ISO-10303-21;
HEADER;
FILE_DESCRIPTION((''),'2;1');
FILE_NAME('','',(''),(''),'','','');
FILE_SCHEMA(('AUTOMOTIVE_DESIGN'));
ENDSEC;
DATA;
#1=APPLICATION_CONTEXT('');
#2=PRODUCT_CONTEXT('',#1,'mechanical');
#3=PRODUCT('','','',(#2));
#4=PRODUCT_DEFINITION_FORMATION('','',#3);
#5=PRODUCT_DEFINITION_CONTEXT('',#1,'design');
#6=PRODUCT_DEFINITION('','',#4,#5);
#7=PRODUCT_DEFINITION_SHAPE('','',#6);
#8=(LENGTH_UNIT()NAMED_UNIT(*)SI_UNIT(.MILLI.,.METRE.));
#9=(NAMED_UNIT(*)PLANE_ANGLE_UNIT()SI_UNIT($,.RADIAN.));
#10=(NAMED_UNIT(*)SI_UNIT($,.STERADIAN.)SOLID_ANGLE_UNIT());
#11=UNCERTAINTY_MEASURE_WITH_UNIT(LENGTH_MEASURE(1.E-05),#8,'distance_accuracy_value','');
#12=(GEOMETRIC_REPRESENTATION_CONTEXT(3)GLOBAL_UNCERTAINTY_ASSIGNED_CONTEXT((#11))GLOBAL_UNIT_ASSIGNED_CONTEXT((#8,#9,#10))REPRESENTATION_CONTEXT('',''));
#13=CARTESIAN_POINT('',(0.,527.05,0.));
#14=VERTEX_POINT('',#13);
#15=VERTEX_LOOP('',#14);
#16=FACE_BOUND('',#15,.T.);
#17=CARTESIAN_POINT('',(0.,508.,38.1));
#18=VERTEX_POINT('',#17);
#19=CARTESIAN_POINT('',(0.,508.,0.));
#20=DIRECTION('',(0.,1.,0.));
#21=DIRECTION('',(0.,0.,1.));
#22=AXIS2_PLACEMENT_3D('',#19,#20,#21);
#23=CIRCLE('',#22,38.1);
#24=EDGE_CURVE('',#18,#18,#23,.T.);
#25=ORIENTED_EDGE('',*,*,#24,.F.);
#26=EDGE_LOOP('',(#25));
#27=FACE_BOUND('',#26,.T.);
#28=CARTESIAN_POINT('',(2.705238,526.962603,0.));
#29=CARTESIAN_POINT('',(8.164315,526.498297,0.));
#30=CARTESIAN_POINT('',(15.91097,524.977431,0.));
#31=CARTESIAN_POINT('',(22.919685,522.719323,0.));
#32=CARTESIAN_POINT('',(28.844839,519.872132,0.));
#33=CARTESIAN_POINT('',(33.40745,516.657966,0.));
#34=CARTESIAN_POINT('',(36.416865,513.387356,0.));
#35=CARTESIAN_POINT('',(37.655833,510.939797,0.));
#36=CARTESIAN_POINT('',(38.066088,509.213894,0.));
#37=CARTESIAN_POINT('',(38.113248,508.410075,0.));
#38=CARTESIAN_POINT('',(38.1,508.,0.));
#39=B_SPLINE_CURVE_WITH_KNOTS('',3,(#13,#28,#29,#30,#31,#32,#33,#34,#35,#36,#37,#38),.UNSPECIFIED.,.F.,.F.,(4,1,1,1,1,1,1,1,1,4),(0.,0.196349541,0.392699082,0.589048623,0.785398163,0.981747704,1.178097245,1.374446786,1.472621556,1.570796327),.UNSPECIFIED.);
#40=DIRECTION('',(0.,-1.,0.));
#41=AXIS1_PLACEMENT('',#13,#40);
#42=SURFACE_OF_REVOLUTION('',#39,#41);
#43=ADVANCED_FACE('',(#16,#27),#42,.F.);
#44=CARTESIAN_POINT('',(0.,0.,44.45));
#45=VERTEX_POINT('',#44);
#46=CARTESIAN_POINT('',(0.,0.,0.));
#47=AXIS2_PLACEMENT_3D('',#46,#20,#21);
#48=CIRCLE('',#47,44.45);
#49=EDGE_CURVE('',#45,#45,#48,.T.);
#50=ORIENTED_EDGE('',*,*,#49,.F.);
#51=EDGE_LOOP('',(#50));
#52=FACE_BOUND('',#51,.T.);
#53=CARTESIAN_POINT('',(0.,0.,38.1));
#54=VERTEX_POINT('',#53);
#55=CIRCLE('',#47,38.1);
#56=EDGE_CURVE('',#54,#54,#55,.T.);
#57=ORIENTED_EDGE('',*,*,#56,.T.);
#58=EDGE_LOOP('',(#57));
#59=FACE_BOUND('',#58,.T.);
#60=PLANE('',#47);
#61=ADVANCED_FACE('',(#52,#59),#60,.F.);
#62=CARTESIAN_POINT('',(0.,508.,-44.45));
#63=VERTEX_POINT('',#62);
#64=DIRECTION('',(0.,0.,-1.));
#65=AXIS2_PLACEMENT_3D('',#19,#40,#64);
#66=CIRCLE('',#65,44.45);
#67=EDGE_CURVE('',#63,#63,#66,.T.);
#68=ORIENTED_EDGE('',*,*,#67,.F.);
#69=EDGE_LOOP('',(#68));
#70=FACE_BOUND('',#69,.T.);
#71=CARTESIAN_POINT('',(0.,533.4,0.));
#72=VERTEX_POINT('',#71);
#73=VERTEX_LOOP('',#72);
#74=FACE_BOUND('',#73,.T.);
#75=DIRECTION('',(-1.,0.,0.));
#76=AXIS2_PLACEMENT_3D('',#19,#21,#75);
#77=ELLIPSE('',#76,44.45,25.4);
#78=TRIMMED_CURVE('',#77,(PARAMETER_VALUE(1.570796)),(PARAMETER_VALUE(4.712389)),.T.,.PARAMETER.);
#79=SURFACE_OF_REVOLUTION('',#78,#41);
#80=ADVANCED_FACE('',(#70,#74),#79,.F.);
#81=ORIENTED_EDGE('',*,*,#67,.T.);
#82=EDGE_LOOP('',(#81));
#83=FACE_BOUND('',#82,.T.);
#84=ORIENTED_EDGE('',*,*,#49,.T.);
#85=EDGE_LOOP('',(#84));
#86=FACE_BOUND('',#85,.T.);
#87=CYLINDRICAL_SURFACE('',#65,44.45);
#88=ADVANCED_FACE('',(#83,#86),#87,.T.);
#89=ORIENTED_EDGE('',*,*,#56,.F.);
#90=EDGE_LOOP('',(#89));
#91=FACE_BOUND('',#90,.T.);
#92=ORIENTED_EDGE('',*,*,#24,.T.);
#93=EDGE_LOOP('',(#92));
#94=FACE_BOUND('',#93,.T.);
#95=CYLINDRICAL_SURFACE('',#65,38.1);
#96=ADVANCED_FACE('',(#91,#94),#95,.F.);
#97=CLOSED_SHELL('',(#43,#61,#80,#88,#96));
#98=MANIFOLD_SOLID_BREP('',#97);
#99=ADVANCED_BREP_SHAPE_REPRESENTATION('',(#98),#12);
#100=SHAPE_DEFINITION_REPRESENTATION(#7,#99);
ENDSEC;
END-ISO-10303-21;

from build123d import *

# Parameters (mm, degrees)
SKETCH1_R           = 44.45
SKETCH1_R_2         = 38.1
BOSS_EXTRUDE1_DEPTH = 508


with BuildPart() as part:
    # Sketch1 → Boss-Extrude1 (new body)
    with BuildSketch(Plane(origin=(0, 0, 0), x_dir=(1, 0, 0), z_dir=(0, 1, 0))):
        with Locations(Location((0, 0, 0), (0, 0, 270))):
            Circle(SKETCH1_R)
        with Locations(Location((0, 0, 0), (0, 0, 270))):
            Circle(SKETCH1_R_2, mode=Mode.SUBTRACT)
    extrude(amount=BOSS_EXTRUDE1_DEPTH)


with BuildPart() as body_2:
    # Sketch3 → Revolve1 (revolve)
    with BuildSketch(Plane.XY):
        with BuildLine():
            Line((0, 527.05), (0, 533.4))
            add(Edge.make_bspline(
                [(44.45, 508), (44.45, 533.4), (0, 533.4)],
                knots=[3.141592654, 3.141592654, 3.141592654, 4.71238898, 4.71238898, 4.71238898], degree=2, weights=[1, 0.707106781, 1]))
            Line((44.45, 508), (38.1, 508))
            add(Edge.make_bspline(
                [(0, 527.05), (2.705238138, 526.962603339), (8.16431522, 526.498297406), (15.910970109, 524.977430938), (22.919684869, 522.719322608), (28.844838794, 519.872132288), (33.407449824, 516.657966083), (36.416865038, 513.387356249), (37.655833073, 510.939796686), (38.066087901, 509.213893903), (38.113248081, 508.410075327), (38.1, 508)],
                knots=[0, 0, 0, 0, 0.196349541, 0.392699082, 0.589048623, 0.785398163, 0.981747704, 1.178097245, 1.374446786, 1.472621556, 1.570796327, 1.570796327, 1.570796327, 1.570796327], degree=3))
        make_face()
    revolve(axis=Axis((0, 527.05, 0), (0, 1, 0)))

    # Combine1: union part
    add(part.part)


solid = body_2.part
